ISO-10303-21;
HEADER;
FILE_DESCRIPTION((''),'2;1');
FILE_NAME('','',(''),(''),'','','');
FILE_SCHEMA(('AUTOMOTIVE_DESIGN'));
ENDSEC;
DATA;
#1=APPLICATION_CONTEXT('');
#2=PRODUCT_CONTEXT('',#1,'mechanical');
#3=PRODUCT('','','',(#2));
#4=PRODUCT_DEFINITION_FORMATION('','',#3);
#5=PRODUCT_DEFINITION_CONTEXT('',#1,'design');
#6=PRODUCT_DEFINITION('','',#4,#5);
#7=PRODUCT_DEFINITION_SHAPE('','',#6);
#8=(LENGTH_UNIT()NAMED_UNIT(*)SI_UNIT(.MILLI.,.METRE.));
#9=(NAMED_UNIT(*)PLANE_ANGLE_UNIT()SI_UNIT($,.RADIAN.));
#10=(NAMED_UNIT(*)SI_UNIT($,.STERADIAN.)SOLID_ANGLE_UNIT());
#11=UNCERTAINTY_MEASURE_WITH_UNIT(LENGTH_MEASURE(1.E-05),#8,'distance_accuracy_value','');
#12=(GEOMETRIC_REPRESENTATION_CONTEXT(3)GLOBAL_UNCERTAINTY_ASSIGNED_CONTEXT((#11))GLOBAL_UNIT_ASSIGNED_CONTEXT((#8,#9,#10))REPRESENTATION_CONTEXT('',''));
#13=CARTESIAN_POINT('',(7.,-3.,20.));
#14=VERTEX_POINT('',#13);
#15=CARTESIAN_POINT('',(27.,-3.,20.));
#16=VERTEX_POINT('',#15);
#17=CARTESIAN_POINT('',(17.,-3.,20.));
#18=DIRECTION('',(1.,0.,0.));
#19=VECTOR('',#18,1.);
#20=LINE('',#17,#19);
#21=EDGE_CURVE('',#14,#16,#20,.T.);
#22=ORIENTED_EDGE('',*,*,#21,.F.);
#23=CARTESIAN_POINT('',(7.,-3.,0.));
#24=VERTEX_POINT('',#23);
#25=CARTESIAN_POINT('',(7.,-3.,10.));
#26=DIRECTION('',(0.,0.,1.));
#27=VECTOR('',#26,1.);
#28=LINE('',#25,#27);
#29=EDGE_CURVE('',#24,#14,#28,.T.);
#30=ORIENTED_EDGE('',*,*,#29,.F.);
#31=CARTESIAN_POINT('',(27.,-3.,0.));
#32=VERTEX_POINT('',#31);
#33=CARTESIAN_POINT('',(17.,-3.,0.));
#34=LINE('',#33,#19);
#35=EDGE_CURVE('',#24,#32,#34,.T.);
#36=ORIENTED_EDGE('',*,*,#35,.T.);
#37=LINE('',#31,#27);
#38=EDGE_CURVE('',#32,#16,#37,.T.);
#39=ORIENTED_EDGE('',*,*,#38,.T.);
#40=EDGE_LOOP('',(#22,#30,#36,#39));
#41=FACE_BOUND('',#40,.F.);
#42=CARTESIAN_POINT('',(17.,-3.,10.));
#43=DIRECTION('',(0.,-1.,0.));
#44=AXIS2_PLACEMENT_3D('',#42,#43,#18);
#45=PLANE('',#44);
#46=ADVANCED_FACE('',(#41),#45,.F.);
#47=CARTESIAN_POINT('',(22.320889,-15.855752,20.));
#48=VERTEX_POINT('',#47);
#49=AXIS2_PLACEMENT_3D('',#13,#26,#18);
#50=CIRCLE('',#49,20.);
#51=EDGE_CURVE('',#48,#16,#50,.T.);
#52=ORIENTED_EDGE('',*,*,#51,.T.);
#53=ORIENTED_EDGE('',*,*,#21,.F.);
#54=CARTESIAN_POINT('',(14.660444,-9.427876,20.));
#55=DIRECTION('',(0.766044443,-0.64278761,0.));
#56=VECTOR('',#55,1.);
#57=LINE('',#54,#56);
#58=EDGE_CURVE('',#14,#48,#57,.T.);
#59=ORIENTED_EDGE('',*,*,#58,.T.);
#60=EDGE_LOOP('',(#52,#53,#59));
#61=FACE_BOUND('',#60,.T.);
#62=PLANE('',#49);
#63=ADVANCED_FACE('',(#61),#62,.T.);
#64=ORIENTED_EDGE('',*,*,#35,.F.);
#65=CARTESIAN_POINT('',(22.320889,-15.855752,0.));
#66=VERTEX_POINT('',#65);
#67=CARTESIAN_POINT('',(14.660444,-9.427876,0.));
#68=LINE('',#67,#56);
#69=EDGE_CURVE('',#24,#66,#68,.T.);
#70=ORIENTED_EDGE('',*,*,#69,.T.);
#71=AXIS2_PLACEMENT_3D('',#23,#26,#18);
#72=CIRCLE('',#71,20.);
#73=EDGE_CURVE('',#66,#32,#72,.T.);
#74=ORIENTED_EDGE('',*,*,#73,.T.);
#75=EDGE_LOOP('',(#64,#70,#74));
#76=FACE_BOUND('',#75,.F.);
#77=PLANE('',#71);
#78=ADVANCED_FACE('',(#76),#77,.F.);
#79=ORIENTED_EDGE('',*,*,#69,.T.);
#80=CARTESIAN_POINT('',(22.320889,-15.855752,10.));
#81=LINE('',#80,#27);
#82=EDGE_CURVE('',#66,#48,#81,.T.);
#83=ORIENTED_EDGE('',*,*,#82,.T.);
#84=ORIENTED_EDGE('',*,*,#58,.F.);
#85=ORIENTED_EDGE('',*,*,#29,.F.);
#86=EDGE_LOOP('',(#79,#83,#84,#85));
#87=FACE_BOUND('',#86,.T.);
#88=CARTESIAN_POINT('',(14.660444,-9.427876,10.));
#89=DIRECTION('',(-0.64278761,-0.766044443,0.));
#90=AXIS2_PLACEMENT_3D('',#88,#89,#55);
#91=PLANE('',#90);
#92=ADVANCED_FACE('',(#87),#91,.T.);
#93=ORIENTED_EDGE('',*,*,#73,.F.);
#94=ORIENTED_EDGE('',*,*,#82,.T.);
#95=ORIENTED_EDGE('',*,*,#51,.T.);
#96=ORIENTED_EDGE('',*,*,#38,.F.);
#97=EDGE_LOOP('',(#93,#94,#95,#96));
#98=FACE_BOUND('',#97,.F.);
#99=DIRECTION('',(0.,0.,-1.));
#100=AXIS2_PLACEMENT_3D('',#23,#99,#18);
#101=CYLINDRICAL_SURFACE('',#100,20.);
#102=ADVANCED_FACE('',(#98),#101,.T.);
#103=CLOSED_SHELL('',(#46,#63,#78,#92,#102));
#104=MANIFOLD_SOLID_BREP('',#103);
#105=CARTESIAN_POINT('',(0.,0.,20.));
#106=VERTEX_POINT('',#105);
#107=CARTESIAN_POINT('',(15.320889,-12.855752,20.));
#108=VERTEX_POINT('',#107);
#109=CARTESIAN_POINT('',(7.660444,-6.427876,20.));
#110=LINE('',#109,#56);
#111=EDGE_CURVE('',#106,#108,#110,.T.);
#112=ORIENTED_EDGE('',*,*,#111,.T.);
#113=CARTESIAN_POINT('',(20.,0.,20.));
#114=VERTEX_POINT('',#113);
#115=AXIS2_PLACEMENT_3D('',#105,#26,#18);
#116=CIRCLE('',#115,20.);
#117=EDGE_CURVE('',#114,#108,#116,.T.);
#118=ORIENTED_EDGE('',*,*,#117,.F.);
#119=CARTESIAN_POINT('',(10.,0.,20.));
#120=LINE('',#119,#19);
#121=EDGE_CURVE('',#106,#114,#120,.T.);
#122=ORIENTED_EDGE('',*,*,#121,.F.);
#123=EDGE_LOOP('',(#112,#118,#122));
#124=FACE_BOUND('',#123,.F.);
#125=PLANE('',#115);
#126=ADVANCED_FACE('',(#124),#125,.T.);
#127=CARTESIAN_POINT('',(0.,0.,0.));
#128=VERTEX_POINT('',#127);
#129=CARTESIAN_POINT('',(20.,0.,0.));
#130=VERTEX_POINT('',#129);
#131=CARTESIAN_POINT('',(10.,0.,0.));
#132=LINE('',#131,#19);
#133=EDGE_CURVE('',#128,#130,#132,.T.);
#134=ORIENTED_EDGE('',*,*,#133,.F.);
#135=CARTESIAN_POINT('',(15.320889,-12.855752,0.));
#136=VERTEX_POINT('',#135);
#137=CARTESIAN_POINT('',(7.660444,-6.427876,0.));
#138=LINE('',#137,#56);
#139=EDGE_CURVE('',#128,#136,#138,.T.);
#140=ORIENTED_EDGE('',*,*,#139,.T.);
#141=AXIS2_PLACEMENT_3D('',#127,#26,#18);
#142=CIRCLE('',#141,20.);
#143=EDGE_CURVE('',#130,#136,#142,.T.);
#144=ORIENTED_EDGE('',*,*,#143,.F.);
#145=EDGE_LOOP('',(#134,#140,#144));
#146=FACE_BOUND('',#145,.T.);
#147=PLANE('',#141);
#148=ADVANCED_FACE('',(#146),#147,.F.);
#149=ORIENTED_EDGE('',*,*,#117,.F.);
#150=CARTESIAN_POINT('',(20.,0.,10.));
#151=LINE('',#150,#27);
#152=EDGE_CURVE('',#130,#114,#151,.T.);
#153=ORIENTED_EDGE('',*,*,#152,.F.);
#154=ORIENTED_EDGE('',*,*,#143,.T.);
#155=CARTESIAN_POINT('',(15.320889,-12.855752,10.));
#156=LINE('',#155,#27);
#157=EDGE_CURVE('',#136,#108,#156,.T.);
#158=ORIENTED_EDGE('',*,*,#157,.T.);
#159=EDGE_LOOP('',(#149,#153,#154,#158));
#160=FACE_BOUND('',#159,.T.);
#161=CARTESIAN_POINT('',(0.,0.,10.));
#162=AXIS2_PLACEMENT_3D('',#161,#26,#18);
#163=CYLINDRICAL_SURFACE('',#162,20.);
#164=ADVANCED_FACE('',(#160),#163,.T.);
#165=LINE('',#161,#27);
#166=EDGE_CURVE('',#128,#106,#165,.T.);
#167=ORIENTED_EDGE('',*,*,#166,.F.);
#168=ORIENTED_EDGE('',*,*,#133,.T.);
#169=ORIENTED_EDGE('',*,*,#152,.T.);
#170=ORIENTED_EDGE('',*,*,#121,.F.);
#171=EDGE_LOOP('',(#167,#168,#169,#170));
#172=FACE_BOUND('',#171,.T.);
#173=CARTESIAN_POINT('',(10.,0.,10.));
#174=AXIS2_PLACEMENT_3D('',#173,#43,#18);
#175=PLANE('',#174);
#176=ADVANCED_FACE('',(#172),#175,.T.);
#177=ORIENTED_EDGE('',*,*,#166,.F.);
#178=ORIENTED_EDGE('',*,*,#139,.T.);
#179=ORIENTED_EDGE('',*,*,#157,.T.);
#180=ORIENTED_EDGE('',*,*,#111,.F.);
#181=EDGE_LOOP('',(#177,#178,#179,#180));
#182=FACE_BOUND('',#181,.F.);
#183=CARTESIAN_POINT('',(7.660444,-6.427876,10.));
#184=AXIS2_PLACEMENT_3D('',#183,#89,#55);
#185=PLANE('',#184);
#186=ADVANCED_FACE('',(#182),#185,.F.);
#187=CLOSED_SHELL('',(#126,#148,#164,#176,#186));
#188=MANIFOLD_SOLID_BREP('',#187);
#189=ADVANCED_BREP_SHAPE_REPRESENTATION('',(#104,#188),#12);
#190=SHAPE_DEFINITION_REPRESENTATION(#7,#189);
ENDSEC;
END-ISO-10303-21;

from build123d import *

# Parameters (mm, degrees)
CYLINDER_W        = 20
CYLINDER_H        = 20
CYLINDER_ANGLE    = 320
CYLINDER001_W     = 20
CYLINDER001_H     = 20
CYLINDER001_ANGLE = 320
CYLINDER002_R     = 20
CYLINDER002_DEPTH = 20


with BuildPart() as tarta:
    # Cylinder → Cylinder (revolve)
    with BuildSketch(Plane.XZ):
        with Locations((10, 10)):
            Rectangle(CYLINDER_W, CYLINDER_H)
    revolve(axis=Axis((0, 0, 0), (0, 0, 1)), revolution_arc=CYLINDER_ANGLE)


with BuildPart() as tarta001:
    # Cylinder001 → Cylinder001 (revolve)
    with BuildSketch(Plane(origin=(7, -3, 0), x_dir=(1, 0, 0), z_dir=(0, -1, 0))):
        with Locations((10, 10)):
            Rectangle(CYLINDER001_W, CYLINDER001_H)
    revolve(axis=Axis((7, -3, 0), (0, 0, 1)), revolution_arc=CYLINDER001_ANGLE)


with BuildPart() as trozo:
    # Cylinder002 → Cylinder002 (new body)
    with BuildSketch(Plane(origin=(7, -3, 0), x_dir=(1, 0, 0), z_dir=(0, 0, 1))):
        Circle(CYLINDER002_R)
    extrude(amount=CYLINDER002_DEPTH)

    # Cut: cut tarta001
    add(tarta001.part, mode=Mode.SUBTRACT)


solid = Compound([tarta.part, trozo.part])
